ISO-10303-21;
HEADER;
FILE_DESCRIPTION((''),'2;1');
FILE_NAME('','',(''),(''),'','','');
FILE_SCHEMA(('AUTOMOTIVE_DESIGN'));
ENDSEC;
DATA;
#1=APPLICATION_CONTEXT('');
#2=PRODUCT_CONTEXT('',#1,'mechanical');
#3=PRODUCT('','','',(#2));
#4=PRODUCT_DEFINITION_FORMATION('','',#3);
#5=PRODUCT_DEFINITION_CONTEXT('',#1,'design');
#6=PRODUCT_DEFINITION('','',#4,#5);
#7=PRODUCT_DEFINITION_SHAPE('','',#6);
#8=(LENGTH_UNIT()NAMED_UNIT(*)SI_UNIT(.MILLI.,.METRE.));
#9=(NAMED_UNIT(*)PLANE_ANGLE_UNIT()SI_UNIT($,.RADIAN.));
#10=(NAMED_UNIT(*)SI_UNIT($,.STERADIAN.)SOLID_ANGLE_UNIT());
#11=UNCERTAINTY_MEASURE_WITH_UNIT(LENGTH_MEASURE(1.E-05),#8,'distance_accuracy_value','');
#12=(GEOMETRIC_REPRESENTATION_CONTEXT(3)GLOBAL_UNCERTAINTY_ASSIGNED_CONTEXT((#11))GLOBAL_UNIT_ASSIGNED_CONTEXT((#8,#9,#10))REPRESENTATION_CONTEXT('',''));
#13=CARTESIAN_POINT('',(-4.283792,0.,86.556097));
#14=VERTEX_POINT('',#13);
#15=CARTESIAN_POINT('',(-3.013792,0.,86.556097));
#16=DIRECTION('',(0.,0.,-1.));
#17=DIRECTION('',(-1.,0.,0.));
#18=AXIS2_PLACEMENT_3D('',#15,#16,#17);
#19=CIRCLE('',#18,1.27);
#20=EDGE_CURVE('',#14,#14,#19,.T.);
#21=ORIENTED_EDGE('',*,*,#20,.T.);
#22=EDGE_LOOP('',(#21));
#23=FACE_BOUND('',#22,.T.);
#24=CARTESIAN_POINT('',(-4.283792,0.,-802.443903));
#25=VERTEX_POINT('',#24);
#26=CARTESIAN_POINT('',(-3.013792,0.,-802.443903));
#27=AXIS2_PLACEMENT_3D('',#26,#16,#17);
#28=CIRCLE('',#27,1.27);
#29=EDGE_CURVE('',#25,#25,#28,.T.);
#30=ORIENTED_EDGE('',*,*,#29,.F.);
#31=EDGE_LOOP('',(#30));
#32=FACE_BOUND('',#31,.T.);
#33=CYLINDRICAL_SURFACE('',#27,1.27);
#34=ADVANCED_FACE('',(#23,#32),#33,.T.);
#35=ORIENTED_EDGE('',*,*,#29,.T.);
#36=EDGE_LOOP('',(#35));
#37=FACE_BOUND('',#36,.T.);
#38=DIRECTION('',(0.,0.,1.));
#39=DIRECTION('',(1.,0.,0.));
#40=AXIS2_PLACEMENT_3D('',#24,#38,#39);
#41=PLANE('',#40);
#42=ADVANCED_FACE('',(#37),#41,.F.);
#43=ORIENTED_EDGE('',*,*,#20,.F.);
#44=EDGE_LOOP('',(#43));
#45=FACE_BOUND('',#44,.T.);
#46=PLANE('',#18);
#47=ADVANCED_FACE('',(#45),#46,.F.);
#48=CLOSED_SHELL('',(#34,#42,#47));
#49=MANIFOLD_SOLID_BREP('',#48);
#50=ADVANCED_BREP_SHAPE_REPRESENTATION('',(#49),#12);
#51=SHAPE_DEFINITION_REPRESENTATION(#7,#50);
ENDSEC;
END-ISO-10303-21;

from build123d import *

# Parameters (mm, degrees)
SKETCH1_W = 1.27
SKETCH1_H = 889


with BuildPart() as part:
    # Sketch1 → Revolve-Thin1 (revolve)
    with BuildSketch(Plane(origin=(0, 0, 0), x_dir=(1, 0, 0), z_dir=(0, 1, 0)), mode=Mode.PRIVATE) as revolve_thin1_sk:
        with Locations((-2.378791677, 357.943903032)):
            Rectangle(SKETCH1_W, SKETCH1_H)
    revolve(revolve_thin1_sk.sketch.rotate(Axis((-3.013791677, 0, -802.443903032), (0, 0, 1)), 180), axis=Axis((-3.013791677, 0, -802.443903032), (0, 0, 1)))


solid = part.part
